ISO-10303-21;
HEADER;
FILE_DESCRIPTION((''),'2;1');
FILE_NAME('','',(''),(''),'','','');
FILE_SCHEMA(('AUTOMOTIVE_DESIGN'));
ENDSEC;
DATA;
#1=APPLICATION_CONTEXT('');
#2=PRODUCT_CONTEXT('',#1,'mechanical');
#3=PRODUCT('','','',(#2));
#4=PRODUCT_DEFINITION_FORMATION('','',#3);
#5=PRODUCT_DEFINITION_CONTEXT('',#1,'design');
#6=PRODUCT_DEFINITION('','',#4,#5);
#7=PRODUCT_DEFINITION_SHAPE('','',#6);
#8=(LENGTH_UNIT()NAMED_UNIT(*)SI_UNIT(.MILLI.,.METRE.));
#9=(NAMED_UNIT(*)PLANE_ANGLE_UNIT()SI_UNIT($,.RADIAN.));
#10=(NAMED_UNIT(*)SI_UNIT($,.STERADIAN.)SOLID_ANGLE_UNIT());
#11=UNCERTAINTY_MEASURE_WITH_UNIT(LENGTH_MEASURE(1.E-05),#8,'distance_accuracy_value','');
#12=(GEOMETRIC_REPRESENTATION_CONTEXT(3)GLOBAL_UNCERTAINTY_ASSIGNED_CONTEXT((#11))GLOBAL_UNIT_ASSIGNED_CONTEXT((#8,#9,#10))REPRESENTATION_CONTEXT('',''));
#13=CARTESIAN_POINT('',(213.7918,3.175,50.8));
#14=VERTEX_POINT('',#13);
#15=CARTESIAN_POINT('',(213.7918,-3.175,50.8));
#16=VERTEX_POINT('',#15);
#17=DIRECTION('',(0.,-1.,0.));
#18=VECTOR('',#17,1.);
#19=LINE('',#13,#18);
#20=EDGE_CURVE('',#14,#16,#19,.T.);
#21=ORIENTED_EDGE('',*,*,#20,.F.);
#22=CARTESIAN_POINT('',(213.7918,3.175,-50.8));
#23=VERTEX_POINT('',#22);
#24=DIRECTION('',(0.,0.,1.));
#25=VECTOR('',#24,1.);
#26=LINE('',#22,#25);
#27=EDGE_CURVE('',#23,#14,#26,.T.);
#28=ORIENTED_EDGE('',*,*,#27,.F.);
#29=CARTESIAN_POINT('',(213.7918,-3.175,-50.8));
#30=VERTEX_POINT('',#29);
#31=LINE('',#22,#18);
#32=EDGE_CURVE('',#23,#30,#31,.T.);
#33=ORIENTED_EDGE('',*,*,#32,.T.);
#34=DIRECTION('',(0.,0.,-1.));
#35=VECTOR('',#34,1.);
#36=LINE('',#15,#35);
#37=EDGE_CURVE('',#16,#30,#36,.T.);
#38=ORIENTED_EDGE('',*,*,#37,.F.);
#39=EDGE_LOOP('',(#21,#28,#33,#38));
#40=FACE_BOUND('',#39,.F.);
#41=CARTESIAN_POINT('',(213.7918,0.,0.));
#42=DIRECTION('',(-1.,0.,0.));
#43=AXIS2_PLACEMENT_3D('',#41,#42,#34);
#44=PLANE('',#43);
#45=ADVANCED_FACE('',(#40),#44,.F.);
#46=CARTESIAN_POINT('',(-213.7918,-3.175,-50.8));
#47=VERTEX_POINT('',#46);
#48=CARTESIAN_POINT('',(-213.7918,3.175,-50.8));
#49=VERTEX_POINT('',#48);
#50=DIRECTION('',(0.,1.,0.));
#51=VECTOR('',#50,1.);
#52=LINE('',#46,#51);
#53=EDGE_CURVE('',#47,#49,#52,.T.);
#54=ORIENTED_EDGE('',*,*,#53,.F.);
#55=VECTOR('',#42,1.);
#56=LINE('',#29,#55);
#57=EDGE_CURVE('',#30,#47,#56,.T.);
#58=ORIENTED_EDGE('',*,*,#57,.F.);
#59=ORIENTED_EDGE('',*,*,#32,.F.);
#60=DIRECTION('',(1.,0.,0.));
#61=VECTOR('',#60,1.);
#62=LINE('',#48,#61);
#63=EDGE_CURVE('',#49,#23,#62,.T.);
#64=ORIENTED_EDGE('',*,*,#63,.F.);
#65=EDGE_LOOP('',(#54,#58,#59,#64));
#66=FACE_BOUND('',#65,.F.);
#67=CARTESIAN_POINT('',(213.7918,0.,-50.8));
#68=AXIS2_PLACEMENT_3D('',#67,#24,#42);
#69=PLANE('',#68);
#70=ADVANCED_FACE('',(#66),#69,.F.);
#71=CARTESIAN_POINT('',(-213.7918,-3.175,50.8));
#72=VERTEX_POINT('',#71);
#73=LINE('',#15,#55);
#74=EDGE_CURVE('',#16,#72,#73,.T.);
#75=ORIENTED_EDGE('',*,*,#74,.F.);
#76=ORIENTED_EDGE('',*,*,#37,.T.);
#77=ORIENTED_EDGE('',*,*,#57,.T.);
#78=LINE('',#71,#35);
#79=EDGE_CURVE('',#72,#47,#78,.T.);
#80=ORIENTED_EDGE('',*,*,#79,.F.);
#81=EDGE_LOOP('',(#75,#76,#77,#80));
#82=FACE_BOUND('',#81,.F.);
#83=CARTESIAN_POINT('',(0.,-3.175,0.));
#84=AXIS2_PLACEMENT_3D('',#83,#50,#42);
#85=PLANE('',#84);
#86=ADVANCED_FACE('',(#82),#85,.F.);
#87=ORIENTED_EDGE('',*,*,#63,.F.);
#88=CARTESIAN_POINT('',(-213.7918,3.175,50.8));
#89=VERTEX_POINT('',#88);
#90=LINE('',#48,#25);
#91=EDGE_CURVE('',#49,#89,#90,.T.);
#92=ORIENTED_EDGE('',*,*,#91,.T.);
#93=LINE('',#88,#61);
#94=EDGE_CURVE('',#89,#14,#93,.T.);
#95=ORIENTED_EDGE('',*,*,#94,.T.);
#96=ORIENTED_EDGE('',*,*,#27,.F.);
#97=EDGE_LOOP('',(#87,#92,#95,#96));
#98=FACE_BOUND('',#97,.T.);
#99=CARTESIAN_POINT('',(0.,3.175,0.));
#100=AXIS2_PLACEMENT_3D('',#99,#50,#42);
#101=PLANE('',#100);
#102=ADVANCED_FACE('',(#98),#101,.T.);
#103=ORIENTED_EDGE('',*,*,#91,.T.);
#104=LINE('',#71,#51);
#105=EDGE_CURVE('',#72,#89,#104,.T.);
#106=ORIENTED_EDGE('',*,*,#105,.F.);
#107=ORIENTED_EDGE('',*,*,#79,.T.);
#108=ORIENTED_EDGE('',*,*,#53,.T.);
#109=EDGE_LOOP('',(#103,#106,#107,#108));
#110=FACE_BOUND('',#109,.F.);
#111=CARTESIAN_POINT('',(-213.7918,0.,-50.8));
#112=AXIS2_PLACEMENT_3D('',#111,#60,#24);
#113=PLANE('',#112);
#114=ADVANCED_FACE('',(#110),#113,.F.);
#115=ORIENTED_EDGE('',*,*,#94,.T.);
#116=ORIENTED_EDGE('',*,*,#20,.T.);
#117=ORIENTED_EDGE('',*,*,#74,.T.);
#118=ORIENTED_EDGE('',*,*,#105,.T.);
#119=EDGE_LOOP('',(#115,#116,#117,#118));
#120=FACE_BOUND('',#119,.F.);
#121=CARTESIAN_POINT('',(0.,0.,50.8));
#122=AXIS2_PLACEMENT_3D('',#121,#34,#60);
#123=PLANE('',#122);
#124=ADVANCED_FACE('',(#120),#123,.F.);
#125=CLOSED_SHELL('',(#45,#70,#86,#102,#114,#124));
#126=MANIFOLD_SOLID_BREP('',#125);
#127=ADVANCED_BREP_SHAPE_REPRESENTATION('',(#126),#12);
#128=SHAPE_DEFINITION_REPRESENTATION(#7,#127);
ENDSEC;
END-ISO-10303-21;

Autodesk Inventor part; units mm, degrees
ref_plane "YZ Plane" through (0, 0, 0) normal (1, 0, 0) x (0, 1, 0)
ref_plane "XZ Plane" through (0, 0, 0) normal (0, 1, 0) x (-1, 0, 0)
ref_plane "XY Plane" through (0, 0, 0) normal (0, 0, 1) x (1, 0, 0)
sketch "Sketch1" plane through (0, 0, 0) normal (0, 1, 0) x (-1, 0, 0)
  line L0 (0, -71.12) -> (0, 71.12) projected
  line L1 (-299.3085, 0) -> (299.3085, 0) projected
  line L2 (213.7918, 50.8) -> (-213.7918, 50.8)
  line L3 (-213.7918, 50.8) -> (-213.7918, -50.8)
  line L4 (-213.7918, -50.8) -> (213.7918, -50.8)
  line L5 (213.7918, -50.8) -> (213.7918, 50.8)
  line L6 (213.7918, 50.8) -> (-213.7918, -50.8) construction
  line L7 (-213.7918, 50.8) -> (213.7918, -50.8) construction
  point P0 (0, 0)
  dimension "d0" = 427.5836
  dimension "d1" = 101.6
extrude "Extrusion1" add sketch "Sketch1" along normal mid plane 6.35
properties part number "NLNMNMNR"
